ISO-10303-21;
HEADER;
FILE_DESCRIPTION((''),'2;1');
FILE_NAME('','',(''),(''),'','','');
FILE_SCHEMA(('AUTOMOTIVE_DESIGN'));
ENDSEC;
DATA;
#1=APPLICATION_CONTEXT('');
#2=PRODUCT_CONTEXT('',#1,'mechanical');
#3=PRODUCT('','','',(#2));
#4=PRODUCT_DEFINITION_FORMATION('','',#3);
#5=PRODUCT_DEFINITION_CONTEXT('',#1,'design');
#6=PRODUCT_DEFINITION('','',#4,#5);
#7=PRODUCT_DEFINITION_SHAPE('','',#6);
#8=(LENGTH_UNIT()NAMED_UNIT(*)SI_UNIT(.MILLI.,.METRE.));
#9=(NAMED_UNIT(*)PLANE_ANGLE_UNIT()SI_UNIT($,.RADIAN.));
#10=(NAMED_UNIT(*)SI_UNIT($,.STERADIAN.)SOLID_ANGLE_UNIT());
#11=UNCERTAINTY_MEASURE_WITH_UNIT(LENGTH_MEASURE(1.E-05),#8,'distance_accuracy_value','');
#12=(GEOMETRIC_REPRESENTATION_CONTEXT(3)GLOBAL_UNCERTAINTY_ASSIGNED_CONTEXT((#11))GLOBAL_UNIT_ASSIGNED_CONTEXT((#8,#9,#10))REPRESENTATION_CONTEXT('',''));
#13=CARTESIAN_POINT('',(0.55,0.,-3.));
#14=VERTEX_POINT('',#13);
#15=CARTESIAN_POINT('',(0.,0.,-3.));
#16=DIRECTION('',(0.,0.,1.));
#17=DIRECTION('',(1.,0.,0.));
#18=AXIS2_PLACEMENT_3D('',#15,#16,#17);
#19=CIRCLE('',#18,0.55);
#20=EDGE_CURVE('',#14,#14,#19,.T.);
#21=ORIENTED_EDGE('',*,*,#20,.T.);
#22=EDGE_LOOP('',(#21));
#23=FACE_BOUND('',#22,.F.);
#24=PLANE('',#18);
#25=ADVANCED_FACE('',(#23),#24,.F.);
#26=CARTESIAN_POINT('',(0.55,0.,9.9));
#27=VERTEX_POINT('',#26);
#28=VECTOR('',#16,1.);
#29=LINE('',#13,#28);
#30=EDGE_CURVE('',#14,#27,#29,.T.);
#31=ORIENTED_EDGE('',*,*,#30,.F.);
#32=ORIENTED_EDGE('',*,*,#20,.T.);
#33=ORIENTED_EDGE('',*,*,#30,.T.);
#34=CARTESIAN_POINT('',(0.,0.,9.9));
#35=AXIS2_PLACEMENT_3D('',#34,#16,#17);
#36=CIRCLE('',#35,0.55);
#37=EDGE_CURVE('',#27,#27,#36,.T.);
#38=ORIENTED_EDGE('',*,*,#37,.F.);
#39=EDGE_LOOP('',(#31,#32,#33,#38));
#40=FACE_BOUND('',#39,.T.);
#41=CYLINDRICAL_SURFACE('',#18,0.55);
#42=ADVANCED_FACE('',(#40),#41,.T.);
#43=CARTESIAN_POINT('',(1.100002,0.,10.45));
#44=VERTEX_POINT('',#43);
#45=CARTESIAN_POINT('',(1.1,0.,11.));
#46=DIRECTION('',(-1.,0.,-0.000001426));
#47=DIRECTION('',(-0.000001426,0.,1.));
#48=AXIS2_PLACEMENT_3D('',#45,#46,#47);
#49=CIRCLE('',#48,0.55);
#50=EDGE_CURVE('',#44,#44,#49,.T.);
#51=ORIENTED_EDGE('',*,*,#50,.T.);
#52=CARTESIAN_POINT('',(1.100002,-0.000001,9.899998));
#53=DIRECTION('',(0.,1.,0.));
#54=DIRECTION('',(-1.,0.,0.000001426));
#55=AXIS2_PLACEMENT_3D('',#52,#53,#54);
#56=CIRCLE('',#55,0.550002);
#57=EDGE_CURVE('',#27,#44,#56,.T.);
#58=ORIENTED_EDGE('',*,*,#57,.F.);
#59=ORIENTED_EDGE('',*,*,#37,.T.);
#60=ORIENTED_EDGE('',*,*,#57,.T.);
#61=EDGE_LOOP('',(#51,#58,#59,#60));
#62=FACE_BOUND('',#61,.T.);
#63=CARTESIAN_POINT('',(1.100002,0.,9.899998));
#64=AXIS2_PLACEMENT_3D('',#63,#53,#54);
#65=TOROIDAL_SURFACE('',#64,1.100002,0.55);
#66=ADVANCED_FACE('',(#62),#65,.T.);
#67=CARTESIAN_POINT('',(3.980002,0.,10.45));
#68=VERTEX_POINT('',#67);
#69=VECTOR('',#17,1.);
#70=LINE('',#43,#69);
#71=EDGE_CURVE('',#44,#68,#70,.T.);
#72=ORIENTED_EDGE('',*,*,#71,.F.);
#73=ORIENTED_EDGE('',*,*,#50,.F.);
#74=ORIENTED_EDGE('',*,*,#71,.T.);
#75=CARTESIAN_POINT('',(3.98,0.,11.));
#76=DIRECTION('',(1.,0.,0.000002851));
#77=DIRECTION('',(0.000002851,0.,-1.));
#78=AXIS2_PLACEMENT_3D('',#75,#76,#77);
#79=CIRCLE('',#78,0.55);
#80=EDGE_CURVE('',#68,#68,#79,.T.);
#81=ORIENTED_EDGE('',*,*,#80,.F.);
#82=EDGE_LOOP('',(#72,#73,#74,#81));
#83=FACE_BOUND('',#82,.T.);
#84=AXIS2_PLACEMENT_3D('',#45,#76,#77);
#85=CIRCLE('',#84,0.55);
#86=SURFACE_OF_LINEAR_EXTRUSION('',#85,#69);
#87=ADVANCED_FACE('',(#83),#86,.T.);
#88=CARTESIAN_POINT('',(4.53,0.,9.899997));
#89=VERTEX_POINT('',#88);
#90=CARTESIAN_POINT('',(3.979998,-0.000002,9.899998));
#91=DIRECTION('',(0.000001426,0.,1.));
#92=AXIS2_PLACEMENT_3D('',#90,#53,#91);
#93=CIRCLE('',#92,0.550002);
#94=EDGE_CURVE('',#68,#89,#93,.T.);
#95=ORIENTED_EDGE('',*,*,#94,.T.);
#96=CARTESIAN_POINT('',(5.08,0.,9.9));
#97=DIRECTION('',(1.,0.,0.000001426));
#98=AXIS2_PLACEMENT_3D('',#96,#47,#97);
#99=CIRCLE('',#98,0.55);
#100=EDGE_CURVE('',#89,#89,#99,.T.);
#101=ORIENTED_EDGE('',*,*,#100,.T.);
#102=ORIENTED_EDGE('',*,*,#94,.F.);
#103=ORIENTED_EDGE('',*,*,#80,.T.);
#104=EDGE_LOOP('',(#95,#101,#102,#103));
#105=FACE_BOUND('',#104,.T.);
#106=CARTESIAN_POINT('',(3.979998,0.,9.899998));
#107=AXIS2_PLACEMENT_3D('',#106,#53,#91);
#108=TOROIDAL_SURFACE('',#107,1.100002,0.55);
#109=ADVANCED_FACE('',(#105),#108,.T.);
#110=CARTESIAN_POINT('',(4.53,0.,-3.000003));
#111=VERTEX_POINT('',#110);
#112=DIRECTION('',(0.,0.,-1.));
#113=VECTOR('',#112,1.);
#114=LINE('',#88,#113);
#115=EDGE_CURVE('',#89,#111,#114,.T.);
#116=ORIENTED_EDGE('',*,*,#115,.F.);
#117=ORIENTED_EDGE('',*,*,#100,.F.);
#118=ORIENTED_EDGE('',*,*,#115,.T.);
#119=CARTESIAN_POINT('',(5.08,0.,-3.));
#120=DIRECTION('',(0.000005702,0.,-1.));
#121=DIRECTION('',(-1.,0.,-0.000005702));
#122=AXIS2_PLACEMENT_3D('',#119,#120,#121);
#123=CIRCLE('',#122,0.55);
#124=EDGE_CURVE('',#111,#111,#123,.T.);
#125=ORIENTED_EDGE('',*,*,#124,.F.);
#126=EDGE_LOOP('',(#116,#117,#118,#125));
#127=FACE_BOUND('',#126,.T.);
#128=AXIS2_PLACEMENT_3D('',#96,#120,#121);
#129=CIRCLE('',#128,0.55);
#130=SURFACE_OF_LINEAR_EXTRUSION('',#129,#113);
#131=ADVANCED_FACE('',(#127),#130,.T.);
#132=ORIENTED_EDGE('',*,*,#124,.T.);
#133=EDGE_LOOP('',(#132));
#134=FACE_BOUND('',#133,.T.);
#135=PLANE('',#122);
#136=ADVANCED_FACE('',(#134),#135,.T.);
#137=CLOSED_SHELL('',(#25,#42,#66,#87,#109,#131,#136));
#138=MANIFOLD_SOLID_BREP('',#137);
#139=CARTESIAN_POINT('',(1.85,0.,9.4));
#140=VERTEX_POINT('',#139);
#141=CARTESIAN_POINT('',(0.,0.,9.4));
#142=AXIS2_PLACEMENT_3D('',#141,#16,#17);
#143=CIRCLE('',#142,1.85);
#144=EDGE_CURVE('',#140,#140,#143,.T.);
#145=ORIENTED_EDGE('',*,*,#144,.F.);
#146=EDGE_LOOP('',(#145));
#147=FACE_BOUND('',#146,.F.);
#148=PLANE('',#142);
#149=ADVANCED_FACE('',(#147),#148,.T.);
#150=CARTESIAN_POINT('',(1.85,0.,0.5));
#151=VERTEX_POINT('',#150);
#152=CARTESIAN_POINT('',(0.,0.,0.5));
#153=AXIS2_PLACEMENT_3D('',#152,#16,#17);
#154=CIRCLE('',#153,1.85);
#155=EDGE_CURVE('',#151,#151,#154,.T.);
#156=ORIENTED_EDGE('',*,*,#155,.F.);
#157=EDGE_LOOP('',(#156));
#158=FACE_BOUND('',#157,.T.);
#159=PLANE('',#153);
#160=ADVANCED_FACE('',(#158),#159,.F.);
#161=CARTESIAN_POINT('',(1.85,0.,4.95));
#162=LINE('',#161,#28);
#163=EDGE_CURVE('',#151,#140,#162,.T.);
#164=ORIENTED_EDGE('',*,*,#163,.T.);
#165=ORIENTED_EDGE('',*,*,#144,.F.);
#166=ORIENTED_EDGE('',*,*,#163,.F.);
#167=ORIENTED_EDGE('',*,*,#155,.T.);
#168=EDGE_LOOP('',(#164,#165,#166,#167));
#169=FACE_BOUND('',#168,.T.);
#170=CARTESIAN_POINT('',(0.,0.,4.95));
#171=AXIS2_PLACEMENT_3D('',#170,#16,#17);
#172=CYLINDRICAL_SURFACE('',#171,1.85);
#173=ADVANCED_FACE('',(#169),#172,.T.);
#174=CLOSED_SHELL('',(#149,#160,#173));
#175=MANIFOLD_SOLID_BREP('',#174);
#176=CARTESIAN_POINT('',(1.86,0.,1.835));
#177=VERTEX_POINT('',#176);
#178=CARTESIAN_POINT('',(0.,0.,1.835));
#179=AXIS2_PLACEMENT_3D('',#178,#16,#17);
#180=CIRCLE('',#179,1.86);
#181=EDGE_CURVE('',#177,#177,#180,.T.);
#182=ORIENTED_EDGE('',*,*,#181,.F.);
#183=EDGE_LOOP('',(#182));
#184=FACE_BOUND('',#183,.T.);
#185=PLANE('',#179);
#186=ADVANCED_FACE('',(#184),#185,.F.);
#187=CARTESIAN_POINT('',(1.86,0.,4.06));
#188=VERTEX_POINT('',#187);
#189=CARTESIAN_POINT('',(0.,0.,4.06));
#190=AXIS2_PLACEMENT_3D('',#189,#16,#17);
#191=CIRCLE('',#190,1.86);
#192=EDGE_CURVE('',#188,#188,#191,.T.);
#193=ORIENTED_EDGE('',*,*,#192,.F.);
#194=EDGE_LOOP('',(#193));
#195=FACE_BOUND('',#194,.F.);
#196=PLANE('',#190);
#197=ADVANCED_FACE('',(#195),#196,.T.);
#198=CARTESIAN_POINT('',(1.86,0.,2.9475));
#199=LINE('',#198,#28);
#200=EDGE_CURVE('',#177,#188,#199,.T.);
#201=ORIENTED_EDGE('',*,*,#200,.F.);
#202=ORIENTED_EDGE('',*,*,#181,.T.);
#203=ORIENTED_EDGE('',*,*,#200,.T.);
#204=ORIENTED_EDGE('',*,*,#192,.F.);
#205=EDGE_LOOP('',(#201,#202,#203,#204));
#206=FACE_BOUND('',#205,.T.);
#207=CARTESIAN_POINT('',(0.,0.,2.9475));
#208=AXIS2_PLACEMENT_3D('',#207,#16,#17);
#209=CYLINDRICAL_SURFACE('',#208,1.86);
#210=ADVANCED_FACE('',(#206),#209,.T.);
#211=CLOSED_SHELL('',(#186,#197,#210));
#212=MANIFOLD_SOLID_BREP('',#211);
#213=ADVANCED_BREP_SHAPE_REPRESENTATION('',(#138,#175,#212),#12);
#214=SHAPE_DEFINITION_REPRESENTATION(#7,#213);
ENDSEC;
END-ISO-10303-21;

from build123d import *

# Parameters (mm, degrees)
SKETCH001_R = 0.55
SKETCH002_W = 1.85
SKETCH002_H = 8.9
SKETCH003_W = 1.86
SKETCH003_H = 2.225


with BuildPart() as sweep_body:
    # Sweep: sweep along a path in Sketch
    with BuildLine(Plane.XZ) as sweep_path:
        Line((0, -3), (0, 9.9))
        ThreePointArc((0, 9.9), (0.322183, 10.677817), (1.1, 11))
        Line((1.1, 11), (3.98, 11))
        ThreePointArc((3.98, 11), (4.757817, 10.677817), (5.08, 9.9))
        Line((5.08, 9.9), (5.08, -3))
    # Sketch001 → Sweep (sweep)
    with BuildSketch(Plane.XY):
        Circle(SKETCH001_R)
    sweep(path=sweep_path.line)


with BuildPart() as revolution:
    # Sketch002 → Revolution (revolve)
    with BuildSketch(Plane.XZ):
        with Locations((0.925, 4.95)):
            Rectangle(SKETCH002_W, SKETCH002_H)
    revolve(axis=Axis((0, 0, 0.5), (0, 0, 1)))


with BuildPart() as revolution001:
    # Sketch003 → Revolution001 (revolve)
    with BuildSketch(Plane.XZ):
        with Locations((0.93, 2.9475)):
            Rectangle(SKETCH003_W, SKETCH003_H)
    revolve(axis=Axis((0, 0, 0), (0, 0, 1)))


solid = Compound([sweep_body.part, revolution.part, revolution001.part])
